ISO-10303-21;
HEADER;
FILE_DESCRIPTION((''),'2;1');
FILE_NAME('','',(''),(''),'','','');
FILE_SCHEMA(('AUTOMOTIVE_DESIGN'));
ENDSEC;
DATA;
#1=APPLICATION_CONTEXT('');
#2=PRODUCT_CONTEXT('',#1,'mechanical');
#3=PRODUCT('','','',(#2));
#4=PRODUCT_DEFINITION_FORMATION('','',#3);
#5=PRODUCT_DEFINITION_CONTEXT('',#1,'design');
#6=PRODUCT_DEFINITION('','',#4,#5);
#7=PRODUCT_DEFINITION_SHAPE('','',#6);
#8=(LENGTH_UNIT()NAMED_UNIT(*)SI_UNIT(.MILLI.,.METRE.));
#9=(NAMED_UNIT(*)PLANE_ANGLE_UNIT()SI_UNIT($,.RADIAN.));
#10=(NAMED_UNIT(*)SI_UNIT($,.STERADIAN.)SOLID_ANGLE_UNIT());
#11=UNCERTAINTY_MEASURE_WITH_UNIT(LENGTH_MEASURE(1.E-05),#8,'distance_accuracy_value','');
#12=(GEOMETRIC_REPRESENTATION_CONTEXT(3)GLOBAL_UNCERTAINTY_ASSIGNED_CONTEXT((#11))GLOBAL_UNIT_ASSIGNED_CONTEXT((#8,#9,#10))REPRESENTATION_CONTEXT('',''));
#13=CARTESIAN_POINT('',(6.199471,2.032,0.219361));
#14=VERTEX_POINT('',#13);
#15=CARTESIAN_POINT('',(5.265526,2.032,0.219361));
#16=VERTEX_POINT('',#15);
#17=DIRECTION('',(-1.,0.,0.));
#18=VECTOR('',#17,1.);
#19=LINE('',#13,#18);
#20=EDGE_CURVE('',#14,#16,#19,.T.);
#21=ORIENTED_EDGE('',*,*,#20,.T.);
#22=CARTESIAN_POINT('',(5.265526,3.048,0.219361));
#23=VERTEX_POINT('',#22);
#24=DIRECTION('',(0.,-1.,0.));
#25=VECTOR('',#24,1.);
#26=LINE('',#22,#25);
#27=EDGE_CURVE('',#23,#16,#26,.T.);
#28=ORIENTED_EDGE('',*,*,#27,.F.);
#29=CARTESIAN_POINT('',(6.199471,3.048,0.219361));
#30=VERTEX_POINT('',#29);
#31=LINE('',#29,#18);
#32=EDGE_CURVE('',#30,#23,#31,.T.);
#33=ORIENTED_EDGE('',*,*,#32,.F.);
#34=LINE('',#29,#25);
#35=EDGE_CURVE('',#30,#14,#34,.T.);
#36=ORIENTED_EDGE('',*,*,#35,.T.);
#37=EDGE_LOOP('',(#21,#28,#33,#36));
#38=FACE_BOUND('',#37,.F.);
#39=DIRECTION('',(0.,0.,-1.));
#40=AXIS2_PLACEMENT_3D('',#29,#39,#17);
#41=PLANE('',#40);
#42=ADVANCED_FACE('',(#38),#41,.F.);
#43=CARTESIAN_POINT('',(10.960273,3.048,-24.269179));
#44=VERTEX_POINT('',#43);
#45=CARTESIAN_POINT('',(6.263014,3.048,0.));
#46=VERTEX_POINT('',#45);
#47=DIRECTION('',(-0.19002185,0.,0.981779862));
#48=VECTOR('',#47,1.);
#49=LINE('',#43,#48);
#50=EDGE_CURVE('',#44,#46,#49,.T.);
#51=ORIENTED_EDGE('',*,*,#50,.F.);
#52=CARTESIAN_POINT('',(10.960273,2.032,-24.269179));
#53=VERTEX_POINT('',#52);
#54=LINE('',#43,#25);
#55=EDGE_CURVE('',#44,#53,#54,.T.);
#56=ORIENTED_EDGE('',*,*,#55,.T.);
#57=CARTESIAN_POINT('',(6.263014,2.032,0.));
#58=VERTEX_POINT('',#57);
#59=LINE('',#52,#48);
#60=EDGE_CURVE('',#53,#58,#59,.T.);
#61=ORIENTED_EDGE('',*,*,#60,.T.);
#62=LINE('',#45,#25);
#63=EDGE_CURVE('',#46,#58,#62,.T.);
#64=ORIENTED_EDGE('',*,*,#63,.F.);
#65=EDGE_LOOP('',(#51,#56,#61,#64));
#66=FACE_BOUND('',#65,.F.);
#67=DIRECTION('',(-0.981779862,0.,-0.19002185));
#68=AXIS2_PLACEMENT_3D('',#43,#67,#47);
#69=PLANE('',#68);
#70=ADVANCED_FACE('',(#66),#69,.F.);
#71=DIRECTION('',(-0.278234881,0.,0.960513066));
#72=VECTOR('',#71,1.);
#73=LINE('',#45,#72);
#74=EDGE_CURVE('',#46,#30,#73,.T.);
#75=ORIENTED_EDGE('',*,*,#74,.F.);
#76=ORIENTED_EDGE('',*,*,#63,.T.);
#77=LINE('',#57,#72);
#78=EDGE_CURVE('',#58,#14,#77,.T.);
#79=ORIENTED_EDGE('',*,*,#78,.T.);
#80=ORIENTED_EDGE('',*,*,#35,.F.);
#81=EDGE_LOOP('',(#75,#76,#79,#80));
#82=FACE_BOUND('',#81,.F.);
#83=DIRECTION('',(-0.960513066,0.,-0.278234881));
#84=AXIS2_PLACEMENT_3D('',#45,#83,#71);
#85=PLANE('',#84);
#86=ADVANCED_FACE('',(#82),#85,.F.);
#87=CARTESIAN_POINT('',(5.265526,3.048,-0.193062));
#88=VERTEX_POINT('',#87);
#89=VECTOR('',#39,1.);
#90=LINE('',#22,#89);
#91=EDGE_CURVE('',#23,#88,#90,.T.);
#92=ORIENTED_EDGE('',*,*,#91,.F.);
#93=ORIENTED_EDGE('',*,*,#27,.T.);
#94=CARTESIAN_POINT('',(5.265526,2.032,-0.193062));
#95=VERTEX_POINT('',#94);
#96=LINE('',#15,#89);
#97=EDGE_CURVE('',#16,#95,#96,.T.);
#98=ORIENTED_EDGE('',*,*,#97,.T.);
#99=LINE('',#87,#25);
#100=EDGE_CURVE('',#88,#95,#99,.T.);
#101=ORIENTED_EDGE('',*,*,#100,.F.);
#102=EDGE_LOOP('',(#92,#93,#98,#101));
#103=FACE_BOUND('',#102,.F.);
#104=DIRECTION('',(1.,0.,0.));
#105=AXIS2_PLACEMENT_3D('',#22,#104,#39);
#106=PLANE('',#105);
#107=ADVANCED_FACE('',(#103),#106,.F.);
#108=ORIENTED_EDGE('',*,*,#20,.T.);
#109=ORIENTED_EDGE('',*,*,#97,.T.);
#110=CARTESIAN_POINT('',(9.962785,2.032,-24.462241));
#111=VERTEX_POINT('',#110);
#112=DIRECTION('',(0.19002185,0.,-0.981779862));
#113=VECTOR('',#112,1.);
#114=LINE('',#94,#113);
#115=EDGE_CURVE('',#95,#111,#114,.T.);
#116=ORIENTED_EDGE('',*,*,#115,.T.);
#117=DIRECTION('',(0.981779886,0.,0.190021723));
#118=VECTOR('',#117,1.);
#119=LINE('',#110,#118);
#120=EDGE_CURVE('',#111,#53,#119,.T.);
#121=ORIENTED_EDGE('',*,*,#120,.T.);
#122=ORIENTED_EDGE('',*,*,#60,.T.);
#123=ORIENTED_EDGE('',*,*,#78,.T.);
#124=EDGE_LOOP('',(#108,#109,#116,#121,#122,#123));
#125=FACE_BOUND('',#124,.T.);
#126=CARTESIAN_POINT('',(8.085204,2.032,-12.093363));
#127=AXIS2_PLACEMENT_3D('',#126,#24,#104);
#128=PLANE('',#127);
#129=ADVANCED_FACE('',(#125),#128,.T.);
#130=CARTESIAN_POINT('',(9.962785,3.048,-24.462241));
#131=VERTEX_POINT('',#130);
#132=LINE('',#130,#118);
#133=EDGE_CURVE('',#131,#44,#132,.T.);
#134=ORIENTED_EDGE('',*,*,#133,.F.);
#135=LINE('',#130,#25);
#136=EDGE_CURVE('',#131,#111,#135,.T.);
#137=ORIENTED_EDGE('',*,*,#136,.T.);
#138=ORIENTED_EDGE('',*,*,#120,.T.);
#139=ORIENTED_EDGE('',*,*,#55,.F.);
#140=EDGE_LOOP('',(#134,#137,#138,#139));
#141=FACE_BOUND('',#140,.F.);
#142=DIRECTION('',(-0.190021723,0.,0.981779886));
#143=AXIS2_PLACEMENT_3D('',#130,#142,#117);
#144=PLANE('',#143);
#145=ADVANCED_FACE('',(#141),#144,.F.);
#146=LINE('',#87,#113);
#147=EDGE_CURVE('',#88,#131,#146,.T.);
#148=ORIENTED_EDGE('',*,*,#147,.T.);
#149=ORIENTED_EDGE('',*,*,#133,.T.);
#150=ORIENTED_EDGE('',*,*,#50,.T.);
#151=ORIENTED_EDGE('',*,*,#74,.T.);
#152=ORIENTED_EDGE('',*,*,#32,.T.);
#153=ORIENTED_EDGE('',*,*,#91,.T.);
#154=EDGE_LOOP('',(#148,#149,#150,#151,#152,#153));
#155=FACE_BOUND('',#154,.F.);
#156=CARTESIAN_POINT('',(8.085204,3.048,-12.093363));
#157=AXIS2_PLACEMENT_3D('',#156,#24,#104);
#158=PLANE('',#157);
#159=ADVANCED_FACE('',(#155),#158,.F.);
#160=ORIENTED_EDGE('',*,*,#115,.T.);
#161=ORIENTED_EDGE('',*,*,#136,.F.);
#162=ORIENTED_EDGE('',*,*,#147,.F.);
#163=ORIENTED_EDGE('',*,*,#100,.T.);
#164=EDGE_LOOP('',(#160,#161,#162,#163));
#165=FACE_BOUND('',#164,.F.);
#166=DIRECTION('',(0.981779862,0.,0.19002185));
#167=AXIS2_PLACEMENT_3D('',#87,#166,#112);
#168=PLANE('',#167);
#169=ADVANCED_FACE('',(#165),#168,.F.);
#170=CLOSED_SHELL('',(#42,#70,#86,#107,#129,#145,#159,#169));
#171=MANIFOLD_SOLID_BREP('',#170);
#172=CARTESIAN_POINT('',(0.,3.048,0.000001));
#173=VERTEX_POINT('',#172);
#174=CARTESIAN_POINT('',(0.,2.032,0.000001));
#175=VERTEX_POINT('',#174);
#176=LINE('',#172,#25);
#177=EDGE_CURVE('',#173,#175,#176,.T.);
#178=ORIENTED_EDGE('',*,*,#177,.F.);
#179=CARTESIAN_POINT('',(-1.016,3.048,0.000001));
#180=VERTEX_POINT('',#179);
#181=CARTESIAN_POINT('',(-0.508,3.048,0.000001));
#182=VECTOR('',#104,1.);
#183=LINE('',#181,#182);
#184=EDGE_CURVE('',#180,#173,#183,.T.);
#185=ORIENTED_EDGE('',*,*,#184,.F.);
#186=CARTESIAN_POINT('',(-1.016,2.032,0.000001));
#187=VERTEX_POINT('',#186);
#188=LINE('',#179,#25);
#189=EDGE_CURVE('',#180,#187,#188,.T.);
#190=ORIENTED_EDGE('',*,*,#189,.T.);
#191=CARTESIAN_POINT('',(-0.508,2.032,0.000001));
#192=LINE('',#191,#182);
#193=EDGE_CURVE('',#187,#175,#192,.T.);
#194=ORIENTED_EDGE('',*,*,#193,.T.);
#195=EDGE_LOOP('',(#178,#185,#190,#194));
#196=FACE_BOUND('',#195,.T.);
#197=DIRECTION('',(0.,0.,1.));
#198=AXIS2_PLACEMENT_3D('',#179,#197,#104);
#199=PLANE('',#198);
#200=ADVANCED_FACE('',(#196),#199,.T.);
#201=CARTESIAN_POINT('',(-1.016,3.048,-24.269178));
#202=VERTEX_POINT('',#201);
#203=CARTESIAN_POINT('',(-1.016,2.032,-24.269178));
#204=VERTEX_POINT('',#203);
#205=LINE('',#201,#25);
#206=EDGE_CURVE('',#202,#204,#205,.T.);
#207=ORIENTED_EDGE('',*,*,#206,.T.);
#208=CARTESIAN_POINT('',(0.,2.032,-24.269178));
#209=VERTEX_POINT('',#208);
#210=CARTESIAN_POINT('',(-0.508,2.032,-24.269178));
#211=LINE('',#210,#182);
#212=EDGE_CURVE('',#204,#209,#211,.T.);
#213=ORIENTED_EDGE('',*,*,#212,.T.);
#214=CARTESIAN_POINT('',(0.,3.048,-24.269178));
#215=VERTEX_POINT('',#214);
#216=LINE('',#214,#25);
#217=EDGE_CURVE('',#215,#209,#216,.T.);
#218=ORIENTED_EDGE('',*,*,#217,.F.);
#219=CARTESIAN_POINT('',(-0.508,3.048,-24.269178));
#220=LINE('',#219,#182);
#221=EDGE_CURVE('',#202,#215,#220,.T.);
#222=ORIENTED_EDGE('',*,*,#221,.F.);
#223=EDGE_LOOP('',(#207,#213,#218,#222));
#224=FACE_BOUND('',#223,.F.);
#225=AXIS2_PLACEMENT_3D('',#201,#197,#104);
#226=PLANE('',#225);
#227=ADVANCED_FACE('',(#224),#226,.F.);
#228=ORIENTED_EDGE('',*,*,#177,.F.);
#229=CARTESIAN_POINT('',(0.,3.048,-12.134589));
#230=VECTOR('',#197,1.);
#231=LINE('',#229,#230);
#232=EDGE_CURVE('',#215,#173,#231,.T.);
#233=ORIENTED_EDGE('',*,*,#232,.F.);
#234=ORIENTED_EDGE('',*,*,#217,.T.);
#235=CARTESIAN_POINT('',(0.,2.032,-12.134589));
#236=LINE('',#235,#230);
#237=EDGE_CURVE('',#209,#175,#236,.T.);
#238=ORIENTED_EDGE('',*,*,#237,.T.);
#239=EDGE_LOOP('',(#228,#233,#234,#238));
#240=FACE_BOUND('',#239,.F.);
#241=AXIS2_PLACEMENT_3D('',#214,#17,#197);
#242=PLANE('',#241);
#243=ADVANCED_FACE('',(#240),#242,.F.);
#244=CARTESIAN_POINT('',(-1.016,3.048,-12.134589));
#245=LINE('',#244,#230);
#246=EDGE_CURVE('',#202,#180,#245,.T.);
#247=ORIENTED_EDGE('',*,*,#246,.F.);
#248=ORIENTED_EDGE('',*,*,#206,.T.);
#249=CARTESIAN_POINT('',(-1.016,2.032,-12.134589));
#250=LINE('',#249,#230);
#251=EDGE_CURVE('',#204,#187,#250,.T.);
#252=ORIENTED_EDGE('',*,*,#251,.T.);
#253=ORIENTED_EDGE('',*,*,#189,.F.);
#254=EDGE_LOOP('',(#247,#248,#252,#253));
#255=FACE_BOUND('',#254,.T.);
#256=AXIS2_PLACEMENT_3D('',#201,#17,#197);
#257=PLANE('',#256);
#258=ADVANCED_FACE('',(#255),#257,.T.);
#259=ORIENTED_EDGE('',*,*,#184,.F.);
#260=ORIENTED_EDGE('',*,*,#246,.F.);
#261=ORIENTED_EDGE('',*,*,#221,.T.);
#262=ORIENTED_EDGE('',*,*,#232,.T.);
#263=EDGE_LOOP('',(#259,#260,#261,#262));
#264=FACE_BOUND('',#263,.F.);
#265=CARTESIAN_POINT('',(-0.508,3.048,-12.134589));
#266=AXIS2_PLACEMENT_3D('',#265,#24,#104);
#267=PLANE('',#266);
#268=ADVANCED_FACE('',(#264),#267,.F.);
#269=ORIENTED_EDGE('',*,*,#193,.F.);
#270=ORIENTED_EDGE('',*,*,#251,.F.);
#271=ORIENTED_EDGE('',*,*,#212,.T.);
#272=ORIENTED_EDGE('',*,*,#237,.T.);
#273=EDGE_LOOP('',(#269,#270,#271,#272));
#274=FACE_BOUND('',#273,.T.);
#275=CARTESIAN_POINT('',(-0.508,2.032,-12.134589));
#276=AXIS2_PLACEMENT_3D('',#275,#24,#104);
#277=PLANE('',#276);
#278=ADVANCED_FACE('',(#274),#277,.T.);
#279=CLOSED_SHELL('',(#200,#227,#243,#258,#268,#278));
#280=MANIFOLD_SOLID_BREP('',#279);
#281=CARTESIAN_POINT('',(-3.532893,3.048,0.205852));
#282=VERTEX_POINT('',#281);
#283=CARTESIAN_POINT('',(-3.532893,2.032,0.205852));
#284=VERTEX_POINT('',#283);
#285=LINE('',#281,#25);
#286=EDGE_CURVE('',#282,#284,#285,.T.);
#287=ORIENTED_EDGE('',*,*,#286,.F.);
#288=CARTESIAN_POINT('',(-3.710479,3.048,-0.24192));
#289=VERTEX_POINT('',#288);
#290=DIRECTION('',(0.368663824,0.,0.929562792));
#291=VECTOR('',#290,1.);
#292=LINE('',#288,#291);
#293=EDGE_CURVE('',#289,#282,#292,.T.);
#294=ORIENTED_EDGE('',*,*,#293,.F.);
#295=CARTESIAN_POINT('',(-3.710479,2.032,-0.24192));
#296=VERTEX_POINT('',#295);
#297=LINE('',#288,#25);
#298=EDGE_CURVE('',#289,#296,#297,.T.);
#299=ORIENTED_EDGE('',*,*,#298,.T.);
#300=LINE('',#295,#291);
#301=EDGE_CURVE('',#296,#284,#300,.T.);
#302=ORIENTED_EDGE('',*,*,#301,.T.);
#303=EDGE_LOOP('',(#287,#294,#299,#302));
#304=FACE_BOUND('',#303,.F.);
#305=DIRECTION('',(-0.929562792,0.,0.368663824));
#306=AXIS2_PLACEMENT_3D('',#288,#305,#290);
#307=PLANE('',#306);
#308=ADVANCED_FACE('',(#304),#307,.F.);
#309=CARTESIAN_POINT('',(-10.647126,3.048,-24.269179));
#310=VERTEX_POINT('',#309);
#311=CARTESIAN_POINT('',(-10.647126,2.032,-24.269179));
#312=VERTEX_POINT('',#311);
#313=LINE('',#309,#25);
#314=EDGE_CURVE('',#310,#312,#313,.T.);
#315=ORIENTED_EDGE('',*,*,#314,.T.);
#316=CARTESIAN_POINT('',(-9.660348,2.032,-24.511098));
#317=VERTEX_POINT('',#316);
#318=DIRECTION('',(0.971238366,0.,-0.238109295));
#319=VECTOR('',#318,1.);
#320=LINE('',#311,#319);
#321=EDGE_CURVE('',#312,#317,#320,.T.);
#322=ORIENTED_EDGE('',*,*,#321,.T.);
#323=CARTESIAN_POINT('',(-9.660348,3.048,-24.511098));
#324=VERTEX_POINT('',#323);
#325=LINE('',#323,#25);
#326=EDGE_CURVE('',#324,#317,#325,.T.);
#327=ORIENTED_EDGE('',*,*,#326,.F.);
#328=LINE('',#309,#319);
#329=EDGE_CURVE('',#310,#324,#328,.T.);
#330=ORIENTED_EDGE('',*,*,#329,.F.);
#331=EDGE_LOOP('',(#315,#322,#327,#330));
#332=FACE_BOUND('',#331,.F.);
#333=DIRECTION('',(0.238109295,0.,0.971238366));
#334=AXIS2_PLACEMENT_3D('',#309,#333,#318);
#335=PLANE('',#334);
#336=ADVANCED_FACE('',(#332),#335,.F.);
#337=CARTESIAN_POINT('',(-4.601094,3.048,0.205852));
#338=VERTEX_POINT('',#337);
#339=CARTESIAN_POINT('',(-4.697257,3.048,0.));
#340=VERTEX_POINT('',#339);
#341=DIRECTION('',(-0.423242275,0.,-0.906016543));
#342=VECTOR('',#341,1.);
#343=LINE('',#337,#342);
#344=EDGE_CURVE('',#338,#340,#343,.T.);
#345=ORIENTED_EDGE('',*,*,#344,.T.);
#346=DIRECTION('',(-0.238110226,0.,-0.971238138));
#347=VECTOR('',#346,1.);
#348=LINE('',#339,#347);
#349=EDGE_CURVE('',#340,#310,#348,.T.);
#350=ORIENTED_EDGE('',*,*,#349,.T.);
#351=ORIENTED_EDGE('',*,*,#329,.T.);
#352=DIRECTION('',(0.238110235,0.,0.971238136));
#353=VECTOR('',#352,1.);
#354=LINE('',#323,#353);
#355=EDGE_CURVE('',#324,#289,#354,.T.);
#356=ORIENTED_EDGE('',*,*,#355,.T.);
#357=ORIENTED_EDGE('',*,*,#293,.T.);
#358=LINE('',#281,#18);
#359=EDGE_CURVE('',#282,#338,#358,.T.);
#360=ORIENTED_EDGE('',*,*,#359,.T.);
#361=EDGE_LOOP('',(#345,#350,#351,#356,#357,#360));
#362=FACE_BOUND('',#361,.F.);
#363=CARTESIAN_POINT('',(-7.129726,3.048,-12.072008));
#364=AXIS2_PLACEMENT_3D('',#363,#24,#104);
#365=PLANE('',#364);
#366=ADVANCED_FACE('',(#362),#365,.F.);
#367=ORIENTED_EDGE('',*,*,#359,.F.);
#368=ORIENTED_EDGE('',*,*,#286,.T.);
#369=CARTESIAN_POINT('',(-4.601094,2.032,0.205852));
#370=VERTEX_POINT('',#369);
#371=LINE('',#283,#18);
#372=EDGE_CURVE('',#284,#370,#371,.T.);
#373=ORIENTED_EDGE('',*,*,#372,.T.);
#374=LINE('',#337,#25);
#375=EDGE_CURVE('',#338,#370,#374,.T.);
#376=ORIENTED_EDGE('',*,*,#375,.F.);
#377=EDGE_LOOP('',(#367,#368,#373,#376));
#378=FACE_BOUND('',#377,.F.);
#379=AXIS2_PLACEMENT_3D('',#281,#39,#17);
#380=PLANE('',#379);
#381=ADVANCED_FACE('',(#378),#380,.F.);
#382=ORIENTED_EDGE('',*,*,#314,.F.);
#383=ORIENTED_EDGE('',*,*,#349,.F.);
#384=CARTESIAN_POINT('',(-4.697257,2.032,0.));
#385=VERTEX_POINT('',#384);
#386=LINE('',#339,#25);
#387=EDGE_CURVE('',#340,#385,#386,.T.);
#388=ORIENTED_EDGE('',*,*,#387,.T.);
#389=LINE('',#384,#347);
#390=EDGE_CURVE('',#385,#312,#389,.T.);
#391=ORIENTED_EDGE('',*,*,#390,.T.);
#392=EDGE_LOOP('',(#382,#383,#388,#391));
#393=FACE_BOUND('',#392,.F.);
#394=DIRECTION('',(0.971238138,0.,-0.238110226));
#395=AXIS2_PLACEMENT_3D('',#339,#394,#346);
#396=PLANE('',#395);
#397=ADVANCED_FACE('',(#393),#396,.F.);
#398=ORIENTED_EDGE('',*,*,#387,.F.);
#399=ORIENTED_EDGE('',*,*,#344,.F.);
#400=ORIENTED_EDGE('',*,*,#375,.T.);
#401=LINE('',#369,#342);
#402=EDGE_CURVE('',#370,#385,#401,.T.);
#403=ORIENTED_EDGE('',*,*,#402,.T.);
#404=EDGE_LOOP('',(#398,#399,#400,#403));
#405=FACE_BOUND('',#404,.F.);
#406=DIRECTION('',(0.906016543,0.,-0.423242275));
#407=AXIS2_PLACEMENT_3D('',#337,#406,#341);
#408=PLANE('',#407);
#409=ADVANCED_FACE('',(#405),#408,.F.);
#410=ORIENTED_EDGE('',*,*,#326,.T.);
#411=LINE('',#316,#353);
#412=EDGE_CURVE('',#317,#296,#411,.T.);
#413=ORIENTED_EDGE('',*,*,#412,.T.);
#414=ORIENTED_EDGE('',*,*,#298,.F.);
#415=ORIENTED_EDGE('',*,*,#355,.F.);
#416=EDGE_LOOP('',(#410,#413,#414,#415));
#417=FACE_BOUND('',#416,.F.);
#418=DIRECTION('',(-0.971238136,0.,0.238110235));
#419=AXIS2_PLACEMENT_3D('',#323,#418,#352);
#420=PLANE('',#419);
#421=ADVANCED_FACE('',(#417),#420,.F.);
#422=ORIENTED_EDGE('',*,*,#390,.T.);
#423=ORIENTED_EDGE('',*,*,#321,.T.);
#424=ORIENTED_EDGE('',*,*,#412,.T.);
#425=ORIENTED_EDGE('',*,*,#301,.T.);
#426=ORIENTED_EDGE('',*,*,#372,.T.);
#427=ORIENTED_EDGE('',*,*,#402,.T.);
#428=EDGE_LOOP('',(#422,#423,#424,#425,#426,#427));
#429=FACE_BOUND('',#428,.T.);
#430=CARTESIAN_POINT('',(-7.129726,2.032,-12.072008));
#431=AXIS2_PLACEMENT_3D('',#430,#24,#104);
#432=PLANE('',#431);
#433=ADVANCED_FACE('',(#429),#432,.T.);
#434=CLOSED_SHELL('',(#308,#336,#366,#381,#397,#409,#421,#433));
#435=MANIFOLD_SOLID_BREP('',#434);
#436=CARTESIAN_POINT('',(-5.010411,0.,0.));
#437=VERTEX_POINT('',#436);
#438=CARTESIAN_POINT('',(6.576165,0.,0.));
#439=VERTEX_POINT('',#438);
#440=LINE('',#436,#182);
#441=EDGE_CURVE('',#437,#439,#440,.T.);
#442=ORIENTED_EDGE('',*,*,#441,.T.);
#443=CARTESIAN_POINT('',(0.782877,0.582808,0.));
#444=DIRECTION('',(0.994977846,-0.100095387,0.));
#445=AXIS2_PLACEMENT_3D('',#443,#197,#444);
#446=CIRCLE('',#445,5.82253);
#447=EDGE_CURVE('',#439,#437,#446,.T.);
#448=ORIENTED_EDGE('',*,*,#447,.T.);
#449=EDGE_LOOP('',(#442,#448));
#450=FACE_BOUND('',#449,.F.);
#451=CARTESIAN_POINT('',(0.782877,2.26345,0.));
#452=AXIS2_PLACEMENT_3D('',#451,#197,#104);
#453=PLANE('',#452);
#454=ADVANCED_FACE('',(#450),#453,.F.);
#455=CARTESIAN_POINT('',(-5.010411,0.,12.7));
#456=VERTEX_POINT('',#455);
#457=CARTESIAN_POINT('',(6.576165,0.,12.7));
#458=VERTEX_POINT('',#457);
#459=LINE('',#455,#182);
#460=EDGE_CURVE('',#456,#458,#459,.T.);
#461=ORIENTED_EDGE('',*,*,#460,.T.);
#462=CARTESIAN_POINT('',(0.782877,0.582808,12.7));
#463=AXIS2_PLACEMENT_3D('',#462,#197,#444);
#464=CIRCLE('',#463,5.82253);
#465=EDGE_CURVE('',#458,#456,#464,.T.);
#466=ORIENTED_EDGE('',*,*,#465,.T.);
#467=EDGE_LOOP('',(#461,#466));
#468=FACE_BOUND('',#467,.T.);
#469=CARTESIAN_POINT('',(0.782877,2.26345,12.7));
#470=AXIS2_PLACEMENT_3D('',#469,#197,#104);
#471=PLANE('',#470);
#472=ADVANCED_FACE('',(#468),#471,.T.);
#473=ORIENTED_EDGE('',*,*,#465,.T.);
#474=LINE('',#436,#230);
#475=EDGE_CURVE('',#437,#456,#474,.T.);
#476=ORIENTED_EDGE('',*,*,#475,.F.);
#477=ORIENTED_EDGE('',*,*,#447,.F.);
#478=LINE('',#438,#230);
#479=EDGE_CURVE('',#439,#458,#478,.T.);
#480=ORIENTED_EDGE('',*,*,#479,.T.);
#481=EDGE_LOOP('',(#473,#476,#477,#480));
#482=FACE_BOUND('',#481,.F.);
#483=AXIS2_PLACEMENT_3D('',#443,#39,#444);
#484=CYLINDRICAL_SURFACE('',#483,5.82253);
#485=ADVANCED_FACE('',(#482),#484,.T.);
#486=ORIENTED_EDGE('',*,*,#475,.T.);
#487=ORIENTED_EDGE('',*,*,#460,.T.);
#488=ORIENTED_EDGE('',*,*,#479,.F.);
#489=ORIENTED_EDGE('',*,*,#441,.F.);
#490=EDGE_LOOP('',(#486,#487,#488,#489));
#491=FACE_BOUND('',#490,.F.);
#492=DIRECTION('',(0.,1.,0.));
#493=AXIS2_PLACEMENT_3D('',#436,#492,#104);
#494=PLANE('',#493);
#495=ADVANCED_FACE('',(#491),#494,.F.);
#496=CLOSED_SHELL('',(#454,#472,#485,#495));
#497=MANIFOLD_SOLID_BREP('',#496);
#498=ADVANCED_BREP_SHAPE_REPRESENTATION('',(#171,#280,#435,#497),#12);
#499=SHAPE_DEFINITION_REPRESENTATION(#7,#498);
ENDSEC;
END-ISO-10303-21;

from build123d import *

# Parameters (mm, degrees)
F1_DEPTH = 12.7
F3_W     = 1.016
F3_H     = 24.269179
F4_DEPTH = 1.016


with BuildPart() as f1:
    # F0 (on Top) → F1 (new body)
    with BuildSketch(Plane.XY):
        with BuildLine():
            Line((-5.010411, 0), (6.576165, 0))
            ThreePointArc((6.576165, 0), (0.782877, 6.405338), (-5.010411, 0))
        make_face()
    extrude(amount=F1_DEPTH)


with BuildPart() as f4:
    # F3 (on offset) → F4 (new body)
    with BuildSketch(Plane.XZ.offset(-3.048)):
        Polygon((10.960273, -24.269179), (6.263014, 0), (6.199471, 0.219361), (5.265526, 0.219361), (5.265526, -0.193062), (9.962785, -24.462241), align=None)
        with Locations((-0.508, -12.134589)):
            Rectangle(F3_W, F3_H)
        Polygon((-4.601094, 0.205852), (-4.697257, 0), (-10.647126, -24.269179), (-9.660348, -24.511098), (-3.710479, -0.24192), (-3.532893, 0.205852), align=None)
    extrude(amount=F4_DEPTH)


solid = Compound([f1.part, f4.part])
